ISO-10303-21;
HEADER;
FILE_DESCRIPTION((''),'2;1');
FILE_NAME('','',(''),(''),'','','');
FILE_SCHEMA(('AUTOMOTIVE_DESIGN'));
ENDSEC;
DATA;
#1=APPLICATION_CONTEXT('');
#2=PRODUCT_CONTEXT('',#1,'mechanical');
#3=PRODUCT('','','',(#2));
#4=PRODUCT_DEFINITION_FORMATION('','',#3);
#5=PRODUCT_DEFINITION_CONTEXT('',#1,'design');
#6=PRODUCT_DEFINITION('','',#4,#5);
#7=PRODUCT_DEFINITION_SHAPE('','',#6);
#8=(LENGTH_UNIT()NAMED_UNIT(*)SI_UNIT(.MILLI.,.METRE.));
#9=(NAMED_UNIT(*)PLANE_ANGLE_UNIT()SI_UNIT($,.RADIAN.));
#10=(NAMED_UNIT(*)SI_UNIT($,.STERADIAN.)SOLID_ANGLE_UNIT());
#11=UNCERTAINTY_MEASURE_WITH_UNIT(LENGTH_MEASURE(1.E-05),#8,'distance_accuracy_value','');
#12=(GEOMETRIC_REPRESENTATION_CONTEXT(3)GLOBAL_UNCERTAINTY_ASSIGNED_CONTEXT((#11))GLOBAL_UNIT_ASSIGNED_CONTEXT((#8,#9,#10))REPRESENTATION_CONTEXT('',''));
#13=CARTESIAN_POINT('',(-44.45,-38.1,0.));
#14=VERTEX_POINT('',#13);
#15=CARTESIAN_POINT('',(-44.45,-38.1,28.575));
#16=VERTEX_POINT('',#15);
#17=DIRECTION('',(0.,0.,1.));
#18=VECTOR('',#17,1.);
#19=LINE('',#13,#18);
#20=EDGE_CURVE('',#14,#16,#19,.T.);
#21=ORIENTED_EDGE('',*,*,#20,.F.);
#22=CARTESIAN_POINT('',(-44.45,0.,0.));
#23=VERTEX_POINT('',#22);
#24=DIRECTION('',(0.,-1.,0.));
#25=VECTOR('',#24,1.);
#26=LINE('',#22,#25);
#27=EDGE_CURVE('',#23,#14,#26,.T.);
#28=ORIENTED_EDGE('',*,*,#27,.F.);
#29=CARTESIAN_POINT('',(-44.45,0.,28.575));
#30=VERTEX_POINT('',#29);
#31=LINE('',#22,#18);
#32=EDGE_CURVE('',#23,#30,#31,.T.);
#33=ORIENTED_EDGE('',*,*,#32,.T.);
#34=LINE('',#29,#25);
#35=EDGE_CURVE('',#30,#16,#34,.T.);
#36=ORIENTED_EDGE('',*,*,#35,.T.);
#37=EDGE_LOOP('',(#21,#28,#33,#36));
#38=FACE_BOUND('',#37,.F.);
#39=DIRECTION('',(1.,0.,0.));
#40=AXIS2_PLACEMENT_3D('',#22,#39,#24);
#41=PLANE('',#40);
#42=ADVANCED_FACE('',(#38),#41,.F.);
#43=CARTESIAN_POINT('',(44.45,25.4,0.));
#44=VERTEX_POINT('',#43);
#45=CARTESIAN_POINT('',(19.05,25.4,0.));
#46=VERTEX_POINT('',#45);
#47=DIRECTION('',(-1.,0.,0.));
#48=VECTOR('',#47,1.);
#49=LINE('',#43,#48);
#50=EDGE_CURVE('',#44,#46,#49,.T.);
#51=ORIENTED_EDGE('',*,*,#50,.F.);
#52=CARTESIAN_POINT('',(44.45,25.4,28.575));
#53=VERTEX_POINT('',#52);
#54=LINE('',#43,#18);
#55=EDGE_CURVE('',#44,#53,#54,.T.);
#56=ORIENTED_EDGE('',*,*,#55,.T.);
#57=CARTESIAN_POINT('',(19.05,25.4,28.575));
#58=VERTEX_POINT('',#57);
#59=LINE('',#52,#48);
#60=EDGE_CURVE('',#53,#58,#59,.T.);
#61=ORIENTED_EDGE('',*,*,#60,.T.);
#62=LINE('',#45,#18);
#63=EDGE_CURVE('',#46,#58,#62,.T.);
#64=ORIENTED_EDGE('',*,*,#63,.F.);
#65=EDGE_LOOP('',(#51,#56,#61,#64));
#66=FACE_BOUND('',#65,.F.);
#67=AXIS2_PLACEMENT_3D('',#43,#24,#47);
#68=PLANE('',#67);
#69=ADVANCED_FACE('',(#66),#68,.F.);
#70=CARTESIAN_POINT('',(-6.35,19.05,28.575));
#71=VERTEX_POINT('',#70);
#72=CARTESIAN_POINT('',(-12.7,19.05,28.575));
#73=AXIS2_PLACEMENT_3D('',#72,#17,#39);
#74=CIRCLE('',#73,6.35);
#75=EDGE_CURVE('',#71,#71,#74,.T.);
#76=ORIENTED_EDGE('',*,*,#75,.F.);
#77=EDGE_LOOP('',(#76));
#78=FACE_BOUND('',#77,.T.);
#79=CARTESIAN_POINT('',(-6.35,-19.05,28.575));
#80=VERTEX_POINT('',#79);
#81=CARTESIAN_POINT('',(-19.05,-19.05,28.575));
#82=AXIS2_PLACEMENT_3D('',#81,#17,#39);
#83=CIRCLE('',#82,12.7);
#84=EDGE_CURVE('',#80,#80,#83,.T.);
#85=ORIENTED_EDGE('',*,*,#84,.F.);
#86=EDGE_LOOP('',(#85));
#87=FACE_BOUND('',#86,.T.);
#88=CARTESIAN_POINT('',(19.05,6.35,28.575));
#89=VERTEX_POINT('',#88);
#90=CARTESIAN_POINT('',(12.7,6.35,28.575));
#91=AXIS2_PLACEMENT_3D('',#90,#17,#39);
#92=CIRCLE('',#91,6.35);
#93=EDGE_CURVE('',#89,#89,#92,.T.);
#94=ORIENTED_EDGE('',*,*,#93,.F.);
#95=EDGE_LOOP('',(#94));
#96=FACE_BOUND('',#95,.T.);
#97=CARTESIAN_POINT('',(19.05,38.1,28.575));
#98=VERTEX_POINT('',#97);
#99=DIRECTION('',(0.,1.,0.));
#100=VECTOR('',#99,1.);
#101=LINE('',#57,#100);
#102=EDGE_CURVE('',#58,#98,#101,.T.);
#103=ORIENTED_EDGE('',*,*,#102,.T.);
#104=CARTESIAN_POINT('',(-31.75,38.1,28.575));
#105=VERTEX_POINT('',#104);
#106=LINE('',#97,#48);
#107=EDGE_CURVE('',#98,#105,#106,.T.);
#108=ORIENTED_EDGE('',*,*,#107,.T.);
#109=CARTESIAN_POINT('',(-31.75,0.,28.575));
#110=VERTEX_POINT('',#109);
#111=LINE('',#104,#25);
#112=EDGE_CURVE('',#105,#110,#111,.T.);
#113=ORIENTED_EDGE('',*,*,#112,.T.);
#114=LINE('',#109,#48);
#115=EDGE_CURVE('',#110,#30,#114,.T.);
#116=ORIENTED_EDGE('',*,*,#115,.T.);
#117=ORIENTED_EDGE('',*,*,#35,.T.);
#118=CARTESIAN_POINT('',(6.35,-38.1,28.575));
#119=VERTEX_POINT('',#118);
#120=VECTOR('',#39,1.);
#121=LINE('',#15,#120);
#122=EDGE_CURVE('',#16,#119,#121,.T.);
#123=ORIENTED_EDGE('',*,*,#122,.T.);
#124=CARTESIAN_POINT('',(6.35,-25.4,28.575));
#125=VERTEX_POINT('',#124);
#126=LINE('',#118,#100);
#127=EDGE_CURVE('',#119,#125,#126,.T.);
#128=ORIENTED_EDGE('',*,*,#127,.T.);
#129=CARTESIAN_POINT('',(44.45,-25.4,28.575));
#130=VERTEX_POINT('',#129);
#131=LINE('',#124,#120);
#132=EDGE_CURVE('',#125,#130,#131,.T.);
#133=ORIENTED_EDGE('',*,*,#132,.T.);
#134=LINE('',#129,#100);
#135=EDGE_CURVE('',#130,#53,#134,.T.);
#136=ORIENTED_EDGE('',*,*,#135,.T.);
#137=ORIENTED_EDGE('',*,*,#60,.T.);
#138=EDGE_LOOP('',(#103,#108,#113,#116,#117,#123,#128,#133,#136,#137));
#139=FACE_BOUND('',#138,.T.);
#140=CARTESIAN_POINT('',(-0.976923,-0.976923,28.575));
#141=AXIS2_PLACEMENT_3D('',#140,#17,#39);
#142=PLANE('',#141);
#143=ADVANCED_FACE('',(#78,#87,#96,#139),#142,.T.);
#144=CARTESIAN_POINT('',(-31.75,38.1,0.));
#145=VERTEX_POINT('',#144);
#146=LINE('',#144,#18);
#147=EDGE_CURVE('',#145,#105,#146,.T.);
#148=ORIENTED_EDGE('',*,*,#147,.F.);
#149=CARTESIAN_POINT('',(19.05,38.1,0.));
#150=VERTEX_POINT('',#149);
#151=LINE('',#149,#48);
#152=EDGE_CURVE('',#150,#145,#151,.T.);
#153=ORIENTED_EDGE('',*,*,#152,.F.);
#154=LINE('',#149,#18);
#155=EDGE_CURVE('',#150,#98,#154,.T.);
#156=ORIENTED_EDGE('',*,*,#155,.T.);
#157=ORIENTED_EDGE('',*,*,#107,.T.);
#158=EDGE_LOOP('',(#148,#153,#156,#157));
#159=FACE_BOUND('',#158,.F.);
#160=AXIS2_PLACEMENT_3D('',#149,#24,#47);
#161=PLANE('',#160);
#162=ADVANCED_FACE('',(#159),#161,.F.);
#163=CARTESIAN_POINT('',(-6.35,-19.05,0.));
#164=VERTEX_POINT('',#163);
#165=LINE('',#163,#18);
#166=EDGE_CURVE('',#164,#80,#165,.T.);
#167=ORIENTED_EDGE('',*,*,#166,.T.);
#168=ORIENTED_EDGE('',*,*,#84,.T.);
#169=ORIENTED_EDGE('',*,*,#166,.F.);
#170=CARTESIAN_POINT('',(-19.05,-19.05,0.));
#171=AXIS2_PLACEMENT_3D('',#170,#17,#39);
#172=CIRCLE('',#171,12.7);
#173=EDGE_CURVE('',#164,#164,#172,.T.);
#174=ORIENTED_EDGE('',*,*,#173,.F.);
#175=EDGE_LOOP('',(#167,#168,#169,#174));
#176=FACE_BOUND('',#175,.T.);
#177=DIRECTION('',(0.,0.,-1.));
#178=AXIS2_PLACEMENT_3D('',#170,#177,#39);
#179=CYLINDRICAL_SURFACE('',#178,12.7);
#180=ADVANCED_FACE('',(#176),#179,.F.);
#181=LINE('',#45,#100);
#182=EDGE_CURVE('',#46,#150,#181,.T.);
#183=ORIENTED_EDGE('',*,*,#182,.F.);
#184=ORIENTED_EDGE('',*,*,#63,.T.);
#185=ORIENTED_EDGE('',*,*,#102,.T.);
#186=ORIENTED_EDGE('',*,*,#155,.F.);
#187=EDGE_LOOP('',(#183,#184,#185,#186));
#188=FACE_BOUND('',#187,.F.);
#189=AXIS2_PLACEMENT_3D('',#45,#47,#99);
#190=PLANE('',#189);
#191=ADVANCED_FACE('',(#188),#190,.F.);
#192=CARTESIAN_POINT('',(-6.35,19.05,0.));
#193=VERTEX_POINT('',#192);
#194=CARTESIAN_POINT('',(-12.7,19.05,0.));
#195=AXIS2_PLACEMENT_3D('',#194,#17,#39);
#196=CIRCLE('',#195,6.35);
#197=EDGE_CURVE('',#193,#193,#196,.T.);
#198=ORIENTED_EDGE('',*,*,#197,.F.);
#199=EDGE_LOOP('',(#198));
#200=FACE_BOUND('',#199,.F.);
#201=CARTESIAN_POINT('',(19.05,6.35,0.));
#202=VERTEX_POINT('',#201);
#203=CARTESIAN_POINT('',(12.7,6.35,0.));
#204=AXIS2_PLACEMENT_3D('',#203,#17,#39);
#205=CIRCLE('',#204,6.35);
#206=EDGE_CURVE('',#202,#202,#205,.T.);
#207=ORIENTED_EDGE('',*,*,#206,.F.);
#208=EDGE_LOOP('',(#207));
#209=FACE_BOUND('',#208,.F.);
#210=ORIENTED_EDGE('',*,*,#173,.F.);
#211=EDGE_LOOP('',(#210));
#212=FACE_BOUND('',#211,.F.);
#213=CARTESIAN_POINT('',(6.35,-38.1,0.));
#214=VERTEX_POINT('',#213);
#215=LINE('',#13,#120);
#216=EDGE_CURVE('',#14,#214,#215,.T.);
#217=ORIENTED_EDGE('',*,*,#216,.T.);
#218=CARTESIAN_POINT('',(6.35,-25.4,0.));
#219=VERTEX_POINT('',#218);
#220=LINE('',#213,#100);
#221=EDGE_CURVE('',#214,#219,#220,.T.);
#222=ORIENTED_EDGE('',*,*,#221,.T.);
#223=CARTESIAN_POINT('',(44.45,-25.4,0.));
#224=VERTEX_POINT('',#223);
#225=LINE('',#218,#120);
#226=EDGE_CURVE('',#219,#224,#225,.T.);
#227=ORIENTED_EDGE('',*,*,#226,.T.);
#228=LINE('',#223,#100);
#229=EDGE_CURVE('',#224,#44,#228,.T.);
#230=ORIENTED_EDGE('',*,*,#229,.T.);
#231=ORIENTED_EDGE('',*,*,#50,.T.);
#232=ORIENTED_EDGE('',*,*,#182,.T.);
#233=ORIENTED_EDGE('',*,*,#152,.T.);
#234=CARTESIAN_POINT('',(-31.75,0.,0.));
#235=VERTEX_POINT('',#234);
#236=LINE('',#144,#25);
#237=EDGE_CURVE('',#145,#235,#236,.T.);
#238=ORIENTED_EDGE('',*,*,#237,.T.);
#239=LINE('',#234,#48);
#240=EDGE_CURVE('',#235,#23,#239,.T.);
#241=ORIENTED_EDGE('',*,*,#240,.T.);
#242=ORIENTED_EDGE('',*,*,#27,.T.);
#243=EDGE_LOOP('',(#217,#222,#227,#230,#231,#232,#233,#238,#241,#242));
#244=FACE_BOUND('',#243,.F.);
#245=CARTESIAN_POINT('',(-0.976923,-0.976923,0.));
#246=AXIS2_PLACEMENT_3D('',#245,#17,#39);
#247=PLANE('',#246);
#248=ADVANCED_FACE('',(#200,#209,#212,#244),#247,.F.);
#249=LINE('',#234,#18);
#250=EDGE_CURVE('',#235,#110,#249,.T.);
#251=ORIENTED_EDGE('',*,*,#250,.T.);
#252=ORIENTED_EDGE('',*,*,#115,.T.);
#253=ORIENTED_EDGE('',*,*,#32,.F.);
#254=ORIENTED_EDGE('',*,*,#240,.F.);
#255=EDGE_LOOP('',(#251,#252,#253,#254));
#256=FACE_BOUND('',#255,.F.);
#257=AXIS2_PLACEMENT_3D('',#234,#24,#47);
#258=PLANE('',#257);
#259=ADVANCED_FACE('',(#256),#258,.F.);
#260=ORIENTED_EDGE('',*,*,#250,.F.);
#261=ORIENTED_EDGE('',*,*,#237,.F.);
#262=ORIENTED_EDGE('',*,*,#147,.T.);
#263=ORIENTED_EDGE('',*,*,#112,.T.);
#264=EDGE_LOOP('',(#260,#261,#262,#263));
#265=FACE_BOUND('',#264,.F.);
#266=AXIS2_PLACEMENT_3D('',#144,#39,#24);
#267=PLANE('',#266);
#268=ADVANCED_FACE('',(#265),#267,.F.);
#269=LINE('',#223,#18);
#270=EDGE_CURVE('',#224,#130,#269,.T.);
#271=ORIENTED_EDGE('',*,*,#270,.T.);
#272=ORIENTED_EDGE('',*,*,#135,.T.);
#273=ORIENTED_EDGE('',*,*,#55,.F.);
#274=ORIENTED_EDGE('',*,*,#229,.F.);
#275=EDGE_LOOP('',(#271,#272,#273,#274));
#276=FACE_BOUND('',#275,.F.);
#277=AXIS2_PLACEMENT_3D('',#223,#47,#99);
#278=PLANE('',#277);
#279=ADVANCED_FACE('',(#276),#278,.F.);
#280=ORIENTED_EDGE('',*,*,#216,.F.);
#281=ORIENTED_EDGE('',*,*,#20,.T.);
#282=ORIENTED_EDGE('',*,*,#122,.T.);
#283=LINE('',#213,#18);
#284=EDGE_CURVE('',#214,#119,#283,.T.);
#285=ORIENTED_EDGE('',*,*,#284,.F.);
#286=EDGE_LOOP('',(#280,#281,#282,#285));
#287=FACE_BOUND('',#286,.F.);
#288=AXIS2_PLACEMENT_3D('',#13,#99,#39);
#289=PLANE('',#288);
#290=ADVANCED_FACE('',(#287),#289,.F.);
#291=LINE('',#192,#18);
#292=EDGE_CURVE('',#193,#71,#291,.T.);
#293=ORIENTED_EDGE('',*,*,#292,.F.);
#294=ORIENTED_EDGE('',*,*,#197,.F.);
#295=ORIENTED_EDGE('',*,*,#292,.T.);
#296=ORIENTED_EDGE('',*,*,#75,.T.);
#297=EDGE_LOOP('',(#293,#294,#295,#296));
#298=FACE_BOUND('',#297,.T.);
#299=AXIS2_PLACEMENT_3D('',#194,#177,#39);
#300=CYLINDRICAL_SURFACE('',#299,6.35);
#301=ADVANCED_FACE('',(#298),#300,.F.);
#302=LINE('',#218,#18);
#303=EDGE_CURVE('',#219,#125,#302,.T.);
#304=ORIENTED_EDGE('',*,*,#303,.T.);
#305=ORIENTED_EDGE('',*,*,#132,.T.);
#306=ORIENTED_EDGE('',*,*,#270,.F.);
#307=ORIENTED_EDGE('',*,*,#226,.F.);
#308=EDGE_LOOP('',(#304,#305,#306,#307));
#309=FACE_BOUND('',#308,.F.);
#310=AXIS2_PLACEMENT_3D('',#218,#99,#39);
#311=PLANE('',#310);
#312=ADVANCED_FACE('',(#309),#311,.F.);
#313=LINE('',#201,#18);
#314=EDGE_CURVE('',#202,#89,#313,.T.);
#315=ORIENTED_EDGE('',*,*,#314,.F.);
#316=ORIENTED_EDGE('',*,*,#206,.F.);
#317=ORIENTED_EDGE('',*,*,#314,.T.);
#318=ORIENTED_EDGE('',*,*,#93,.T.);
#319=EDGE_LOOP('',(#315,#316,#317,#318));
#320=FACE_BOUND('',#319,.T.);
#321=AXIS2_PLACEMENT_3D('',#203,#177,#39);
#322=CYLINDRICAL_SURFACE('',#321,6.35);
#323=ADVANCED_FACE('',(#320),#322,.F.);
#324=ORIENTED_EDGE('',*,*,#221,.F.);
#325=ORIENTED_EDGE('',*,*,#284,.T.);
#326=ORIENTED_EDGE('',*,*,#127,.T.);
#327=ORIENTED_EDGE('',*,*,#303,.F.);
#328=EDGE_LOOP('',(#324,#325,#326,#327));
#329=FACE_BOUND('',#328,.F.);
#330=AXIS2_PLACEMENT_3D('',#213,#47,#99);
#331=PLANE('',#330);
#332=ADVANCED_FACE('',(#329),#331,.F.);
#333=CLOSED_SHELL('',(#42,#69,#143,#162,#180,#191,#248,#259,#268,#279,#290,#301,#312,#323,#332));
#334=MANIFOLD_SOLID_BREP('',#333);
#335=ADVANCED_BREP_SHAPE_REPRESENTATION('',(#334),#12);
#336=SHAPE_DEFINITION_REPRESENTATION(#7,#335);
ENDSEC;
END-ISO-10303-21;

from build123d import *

# Parameters (mm, degrees)
F0_R     = 12.7
F0_R_2   = 6.35
F1_DEPTH = 28.575


with BuildPart() as f1:
    # F0 (on Top) → F1 (new body)
    with BuildSketch(Plane.XY):
        Polygon((-44.45, -38.1), (6.35, -38.1), (6.35, -25.4), (44.45, -25.4), (44.45, 25.4), (19.05, 25.4), (19.05, 38.1), (-31.75, 38.1), (-31.75, 0), (-44.45, 0), align=None)
        with Locations((-19.05, -19.05)):
            Circle(F0_R, mode=Mode.SUBTRACT)
        with Locations((-12.7, 19.05)):
            Circle(F0_R_2, mode=Mode.SUBTRACT)
        with Locations((12.7, 6.35)):
            Circle(F0_R_2, mode=Mode.SUBTRACT)
    extrude(amount=F1_DEPTH)


solid = f1.part
